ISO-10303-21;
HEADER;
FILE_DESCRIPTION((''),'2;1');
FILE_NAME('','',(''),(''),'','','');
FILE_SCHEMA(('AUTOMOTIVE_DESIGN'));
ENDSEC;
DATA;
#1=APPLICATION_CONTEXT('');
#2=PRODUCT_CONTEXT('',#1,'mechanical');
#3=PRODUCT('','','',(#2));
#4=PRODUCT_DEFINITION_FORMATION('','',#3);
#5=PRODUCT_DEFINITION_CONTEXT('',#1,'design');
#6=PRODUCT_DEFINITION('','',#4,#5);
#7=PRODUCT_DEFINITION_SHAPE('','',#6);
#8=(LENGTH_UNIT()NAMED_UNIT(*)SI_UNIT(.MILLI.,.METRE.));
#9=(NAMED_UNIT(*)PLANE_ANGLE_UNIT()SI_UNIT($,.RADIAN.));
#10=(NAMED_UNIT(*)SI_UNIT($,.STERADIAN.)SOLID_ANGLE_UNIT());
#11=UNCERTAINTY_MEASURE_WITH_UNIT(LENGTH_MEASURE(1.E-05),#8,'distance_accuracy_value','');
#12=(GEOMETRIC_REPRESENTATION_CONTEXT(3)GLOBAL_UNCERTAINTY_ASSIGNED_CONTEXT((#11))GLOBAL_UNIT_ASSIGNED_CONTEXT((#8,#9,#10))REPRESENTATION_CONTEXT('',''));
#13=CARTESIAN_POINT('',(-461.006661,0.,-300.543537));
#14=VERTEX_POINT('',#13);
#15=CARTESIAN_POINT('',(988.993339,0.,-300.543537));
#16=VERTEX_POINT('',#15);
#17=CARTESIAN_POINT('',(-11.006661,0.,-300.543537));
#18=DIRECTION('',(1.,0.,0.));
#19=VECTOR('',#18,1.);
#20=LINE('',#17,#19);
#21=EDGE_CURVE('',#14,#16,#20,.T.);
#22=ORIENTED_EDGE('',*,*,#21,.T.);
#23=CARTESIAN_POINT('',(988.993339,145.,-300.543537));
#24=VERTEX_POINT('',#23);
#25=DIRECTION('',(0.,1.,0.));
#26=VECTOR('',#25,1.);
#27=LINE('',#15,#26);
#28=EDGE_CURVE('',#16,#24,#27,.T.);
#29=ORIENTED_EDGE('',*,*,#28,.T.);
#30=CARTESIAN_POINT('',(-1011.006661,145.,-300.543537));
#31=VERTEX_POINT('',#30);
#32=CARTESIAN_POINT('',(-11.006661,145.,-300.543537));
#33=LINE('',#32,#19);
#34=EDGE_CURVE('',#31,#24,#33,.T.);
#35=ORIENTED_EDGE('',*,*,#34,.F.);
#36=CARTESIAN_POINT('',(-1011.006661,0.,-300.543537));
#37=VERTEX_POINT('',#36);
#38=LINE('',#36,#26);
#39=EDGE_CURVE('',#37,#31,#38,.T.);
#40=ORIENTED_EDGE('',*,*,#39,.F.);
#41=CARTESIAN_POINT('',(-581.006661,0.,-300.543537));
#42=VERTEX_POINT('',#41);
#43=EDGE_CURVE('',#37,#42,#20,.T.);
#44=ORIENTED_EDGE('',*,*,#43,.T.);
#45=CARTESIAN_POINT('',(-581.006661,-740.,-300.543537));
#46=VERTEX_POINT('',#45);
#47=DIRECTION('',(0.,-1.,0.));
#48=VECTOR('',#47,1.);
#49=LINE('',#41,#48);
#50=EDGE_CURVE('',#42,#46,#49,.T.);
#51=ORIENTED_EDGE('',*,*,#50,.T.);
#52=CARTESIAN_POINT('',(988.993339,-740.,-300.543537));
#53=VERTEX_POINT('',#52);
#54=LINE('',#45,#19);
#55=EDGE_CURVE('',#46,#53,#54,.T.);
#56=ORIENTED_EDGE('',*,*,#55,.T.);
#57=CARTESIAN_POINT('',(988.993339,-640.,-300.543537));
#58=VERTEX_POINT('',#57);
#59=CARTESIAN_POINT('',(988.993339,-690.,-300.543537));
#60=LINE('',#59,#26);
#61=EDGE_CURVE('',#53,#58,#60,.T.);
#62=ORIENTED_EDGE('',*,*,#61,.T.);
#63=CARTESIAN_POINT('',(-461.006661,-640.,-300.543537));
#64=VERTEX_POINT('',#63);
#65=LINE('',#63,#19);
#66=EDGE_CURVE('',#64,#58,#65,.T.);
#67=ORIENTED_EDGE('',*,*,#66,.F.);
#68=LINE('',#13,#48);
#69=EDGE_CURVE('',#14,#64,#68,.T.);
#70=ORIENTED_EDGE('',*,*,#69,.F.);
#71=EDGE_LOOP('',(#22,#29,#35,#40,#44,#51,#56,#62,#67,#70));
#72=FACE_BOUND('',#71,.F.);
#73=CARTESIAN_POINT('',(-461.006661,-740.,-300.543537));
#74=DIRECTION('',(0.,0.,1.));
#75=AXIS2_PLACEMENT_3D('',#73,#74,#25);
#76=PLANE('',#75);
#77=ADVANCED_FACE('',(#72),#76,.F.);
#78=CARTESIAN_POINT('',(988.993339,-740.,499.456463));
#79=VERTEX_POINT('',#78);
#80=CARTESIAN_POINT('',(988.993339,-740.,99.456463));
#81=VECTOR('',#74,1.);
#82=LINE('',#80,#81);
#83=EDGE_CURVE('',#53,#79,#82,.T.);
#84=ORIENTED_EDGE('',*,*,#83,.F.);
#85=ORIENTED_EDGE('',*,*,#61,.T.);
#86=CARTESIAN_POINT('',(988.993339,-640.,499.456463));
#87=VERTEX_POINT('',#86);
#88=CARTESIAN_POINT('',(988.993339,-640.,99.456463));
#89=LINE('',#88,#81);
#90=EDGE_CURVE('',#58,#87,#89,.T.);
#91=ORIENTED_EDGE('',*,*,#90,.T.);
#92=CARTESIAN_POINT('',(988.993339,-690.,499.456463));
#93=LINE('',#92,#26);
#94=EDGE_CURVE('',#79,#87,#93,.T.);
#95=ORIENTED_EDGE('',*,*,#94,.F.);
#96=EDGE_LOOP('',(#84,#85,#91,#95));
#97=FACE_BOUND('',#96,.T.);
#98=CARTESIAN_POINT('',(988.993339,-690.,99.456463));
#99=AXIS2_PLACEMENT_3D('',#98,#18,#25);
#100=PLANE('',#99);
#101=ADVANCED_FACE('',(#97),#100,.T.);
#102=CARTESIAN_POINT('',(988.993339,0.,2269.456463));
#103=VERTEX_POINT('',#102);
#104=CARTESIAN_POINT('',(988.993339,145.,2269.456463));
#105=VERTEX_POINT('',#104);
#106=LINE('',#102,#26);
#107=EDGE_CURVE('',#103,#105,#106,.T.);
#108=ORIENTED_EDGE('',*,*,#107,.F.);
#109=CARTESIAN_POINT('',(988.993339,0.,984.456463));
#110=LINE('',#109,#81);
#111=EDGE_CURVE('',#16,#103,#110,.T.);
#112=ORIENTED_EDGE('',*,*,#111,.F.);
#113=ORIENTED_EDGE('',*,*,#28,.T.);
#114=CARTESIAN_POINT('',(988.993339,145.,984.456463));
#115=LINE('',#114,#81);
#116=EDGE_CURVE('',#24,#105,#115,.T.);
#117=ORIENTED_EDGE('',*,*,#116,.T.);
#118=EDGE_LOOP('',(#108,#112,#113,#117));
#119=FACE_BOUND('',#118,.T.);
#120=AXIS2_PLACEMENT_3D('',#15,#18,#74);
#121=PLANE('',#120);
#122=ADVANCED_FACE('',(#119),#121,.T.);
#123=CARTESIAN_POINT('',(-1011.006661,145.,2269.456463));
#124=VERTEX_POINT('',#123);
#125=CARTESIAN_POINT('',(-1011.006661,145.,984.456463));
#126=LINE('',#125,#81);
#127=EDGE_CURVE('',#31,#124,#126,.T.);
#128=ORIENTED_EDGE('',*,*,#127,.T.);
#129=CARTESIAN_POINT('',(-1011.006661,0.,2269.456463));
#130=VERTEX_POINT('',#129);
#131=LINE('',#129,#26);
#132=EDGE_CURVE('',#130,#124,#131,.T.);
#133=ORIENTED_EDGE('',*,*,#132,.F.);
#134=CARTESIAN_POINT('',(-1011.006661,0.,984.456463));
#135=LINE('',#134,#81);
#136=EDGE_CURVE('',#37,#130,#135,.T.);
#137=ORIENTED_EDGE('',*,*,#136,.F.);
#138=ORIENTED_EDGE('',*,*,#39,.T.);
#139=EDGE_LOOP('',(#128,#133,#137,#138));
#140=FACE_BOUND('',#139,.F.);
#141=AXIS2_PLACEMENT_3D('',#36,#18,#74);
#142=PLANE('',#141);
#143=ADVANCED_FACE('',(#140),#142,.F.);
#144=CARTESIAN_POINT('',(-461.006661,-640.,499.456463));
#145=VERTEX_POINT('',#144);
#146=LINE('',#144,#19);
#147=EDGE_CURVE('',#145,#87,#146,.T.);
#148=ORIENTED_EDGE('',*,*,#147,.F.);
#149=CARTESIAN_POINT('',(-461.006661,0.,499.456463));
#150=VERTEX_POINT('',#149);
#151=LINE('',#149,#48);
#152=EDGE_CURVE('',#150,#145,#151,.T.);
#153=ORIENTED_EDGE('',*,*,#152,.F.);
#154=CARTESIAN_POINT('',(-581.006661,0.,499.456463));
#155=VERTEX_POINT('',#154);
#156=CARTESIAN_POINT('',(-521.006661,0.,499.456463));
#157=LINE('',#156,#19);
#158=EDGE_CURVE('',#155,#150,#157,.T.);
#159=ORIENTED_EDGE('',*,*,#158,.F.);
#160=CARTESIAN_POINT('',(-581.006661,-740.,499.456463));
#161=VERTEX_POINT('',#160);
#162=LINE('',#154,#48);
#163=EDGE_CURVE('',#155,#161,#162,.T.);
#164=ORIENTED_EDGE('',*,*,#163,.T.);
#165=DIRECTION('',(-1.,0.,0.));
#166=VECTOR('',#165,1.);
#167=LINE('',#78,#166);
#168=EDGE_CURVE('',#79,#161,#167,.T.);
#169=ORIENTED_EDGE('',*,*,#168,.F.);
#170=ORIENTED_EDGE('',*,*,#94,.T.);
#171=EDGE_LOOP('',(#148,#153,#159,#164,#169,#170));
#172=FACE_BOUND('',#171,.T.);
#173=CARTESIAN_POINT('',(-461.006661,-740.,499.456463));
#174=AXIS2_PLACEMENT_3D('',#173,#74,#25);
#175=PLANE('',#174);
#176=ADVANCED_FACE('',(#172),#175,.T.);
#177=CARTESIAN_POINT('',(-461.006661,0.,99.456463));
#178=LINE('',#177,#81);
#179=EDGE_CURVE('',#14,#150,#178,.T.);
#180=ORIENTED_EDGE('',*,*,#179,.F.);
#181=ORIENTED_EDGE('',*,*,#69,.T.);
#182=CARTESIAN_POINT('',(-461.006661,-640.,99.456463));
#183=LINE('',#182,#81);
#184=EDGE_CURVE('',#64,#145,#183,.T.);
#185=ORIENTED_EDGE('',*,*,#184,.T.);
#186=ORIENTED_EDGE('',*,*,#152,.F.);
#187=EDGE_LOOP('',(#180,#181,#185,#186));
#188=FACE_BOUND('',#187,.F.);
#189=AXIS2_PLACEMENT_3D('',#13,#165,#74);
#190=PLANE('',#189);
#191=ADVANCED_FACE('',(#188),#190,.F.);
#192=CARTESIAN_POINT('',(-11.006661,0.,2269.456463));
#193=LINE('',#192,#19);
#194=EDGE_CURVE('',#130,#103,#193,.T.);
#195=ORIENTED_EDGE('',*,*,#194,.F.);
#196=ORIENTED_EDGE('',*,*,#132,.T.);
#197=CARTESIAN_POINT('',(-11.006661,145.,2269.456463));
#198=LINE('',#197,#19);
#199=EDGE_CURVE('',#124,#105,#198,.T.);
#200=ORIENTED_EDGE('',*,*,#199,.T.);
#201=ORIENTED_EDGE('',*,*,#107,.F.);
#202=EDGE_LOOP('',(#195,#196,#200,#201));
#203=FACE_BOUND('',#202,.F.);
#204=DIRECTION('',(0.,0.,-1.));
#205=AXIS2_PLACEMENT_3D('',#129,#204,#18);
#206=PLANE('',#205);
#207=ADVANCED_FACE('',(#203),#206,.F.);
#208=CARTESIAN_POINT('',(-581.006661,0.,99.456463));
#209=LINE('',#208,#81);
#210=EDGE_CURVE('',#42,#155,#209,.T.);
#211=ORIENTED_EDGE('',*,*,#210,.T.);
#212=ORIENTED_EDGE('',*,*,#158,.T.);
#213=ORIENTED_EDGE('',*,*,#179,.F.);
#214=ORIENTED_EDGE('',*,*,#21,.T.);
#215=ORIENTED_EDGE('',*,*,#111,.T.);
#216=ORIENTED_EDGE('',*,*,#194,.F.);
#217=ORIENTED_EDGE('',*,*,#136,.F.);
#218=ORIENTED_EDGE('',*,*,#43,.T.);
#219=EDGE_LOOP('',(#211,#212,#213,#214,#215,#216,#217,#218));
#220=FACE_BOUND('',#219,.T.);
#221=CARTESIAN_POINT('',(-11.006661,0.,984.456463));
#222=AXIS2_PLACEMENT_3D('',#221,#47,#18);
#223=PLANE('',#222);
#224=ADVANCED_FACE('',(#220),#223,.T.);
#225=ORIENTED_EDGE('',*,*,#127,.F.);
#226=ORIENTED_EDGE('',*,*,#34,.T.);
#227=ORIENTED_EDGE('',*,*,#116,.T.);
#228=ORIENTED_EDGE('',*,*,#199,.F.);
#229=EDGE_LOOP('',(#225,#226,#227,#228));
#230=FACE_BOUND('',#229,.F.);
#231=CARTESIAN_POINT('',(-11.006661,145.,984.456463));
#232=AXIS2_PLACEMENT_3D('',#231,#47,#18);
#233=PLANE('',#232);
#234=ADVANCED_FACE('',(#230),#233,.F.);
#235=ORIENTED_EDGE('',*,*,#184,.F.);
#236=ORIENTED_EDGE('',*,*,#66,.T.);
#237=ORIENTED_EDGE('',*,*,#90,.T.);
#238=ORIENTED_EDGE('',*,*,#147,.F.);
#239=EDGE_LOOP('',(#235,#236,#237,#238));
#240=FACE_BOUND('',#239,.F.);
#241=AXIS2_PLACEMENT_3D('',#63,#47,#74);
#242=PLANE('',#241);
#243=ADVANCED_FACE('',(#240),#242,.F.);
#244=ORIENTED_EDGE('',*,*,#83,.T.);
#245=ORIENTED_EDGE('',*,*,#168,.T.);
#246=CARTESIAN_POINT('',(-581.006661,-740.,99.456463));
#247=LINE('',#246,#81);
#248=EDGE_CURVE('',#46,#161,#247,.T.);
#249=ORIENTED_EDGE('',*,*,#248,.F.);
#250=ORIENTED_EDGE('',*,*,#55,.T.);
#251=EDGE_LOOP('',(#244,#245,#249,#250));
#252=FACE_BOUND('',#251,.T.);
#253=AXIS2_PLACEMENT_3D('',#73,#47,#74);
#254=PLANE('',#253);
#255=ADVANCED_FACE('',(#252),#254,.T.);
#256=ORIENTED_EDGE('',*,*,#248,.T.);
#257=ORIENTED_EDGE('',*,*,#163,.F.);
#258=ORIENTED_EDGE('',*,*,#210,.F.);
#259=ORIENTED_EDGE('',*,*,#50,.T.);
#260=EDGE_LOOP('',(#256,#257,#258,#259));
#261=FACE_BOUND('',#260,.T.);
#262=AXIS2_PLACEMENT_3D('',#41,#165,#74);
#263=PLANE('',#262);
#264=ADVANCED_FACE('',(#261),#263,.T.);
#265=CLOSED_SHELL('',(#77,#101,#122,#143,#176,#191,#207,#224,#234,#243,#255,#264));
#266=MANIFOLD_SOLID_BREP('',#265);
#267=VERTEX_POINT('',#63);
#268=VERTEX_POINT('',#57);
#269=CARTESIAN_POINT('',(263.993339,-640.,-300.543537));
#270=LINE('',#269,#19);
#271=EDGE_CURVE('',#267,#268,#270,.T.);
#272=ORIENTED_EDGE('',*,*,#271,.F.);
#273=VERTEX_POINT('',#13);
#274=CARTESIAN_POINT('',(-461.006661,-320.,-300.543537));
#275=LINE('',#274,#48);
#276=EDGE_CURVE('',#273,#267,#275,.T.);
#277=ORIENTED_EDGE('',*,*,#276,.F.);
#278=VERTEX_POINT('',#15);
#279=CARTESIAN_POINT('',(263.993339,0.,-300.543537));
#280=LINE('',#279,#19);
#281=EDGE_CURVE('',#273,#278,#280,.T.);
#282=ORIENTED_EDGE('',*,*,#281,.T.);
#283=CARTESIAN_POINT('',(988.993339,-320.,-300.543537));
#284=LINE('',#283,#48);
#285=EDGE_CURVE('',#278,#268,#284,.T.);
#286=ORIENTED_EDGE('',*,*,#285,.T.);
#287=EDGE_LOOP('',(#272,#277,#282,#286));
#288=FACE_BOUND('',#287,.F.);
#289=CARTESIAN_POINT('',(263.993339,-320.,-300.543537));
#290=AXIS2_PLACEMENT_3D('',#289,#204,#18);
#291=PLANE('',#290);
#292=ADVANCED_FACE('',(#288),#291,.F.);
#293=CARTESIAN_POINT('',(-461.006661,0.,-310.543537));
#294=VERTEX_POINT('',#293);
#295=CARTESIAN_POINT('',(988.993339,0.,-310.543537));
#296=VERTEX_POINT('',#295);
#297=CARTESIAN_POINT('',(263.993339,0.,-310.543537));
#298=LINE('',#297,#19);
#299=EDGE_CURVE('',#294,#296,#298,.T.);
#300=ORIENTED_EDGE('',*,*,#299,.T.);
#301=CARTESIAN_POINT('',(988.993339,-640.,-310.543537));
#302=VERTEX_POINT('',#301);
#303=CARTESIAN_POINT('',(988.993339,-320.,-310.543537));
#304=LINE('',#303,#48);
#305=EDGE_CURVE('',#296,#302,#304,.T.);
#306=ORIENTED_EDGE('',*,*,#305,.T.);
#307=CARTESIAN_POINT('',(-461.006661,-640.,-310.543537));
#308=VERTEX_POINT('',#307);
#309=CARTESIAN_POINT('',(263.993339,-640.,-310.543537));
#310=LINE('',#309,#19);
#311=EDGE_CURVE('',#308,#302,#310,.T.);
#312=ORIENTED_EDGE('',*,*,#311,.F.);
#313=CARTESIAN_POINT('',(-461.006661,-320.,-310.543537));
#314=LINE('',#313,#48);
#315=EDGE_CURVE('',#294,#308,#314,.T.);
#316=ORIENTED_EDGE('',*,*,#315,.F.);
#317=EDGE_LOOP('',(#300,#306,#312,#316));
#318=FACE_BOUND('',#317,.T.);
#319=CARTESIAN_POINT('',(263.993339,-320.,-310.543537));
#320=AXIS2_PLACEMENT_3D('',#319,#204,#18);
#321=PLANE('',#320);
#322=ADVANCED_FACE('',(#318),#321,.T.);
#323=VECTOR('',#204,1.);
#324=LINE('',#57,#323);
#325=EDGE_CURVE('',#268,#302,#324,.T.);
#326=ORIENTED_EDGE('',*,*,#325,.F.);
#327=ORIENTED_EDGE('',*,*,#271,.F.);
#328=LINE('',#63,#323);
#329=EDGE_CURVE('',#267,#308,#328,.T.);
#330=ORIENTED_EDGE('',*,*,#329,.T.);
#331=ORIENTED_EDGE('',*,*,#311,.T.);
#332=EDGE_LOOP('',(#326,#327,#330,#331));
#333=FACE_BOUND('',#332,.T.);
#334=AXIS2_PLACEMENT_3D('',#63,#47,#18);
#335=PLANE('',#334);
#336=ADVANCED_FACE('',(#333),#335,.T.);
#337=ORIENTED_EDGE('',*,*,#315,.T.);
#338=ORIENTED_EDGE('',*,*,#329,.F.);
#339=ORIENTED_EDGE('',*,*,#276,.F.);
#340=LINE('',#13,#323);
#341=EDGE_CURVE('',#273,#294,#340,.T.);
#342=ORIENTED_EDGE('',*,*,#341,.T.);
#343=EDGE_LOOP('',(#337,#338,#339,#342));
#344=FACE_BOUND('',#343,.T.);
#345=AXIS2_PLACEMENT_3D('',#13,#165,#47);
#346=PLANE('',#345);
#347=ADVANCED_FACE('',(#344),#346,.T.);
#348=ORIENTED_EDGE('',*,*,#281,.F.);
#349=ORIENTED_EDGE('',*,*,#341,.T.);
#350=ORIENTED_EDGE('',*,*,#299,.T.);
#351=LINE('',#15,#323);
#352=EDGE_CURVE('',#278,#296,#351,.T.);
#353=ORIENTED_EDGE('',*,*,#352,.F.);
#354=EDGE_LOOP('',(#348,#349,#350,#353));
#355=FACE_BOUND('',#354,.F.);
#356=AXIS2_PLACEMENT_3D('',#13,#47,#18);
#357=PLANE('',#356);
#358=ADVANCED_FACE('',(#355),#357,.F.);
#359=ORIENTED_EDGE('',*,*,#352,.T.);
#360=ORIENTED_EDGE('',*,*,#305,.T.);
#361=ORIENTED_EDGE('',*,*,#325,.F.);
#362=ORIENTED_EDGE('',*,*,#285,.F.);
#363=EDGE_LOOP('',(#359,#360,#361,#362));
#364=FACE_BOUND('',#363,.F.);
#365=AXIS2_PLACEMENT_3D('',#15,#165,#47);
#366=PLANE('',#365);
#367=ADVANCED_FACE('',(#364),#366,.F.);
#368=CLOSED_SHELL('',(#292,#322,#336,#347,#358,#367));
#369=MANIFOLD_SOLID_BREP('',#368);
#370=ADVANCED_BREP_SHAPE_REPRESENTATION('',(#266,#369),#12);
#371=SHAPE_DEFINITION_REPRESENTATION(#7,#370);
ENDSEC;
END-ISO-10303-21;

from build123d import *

# Parameters (mm, degrees)
F0_W     = 2000
F0_H     = 2570
F1_DEPTH = 145
F2_W     = 120
F2_H     = 800
F3_DEPTH = 740
F4_W     = 100
F4_H     = 800
F5_DEPTH = 1450
F6_W     = 1450
F6_H     = 640
F7_DEPTH = 10


with BuildPart() as f1:
    # F0 (on Front) → F1 (new body)
    with BuildSketch(Plane.XZ):
        with Locations((-11.006661, 984.456463)):
            Rectangle(F0_W, F0_H)
    extrude(amount=-F1_DEPTH)

    # F2 (on face) → F3 (join)
    with BuildSketch(Plane.XZ):
        with Locations((-521.006661, 99.456463)):
            Rectangle(F2_W, F2_H)
    extrude(amount=F3_DEPTH)

    # F4 (on face) → F5 (join)
    with BuildSketch(Plane.YZ.offset(-461.006661)):
        with Locations((-690, 99.456463)):
            Rectangle(F4_W, F4_H)
    extrude(amount=F5_DEPTH)


with BuildPart() as f7:
    # F6 (on face) → F7 (new body)
    with BuildSketch(Plane(origin=(0, 0, -300.543537), x_dir=(1, 0, 0), z_dir=(0, 0, -1))):
        with Locations((263.993339, 320)):
            Rectangle(F6_W, F6_H)
    extrude(amount=F7_DEPTH)


solid = Compound([f1.part, f7.part])
